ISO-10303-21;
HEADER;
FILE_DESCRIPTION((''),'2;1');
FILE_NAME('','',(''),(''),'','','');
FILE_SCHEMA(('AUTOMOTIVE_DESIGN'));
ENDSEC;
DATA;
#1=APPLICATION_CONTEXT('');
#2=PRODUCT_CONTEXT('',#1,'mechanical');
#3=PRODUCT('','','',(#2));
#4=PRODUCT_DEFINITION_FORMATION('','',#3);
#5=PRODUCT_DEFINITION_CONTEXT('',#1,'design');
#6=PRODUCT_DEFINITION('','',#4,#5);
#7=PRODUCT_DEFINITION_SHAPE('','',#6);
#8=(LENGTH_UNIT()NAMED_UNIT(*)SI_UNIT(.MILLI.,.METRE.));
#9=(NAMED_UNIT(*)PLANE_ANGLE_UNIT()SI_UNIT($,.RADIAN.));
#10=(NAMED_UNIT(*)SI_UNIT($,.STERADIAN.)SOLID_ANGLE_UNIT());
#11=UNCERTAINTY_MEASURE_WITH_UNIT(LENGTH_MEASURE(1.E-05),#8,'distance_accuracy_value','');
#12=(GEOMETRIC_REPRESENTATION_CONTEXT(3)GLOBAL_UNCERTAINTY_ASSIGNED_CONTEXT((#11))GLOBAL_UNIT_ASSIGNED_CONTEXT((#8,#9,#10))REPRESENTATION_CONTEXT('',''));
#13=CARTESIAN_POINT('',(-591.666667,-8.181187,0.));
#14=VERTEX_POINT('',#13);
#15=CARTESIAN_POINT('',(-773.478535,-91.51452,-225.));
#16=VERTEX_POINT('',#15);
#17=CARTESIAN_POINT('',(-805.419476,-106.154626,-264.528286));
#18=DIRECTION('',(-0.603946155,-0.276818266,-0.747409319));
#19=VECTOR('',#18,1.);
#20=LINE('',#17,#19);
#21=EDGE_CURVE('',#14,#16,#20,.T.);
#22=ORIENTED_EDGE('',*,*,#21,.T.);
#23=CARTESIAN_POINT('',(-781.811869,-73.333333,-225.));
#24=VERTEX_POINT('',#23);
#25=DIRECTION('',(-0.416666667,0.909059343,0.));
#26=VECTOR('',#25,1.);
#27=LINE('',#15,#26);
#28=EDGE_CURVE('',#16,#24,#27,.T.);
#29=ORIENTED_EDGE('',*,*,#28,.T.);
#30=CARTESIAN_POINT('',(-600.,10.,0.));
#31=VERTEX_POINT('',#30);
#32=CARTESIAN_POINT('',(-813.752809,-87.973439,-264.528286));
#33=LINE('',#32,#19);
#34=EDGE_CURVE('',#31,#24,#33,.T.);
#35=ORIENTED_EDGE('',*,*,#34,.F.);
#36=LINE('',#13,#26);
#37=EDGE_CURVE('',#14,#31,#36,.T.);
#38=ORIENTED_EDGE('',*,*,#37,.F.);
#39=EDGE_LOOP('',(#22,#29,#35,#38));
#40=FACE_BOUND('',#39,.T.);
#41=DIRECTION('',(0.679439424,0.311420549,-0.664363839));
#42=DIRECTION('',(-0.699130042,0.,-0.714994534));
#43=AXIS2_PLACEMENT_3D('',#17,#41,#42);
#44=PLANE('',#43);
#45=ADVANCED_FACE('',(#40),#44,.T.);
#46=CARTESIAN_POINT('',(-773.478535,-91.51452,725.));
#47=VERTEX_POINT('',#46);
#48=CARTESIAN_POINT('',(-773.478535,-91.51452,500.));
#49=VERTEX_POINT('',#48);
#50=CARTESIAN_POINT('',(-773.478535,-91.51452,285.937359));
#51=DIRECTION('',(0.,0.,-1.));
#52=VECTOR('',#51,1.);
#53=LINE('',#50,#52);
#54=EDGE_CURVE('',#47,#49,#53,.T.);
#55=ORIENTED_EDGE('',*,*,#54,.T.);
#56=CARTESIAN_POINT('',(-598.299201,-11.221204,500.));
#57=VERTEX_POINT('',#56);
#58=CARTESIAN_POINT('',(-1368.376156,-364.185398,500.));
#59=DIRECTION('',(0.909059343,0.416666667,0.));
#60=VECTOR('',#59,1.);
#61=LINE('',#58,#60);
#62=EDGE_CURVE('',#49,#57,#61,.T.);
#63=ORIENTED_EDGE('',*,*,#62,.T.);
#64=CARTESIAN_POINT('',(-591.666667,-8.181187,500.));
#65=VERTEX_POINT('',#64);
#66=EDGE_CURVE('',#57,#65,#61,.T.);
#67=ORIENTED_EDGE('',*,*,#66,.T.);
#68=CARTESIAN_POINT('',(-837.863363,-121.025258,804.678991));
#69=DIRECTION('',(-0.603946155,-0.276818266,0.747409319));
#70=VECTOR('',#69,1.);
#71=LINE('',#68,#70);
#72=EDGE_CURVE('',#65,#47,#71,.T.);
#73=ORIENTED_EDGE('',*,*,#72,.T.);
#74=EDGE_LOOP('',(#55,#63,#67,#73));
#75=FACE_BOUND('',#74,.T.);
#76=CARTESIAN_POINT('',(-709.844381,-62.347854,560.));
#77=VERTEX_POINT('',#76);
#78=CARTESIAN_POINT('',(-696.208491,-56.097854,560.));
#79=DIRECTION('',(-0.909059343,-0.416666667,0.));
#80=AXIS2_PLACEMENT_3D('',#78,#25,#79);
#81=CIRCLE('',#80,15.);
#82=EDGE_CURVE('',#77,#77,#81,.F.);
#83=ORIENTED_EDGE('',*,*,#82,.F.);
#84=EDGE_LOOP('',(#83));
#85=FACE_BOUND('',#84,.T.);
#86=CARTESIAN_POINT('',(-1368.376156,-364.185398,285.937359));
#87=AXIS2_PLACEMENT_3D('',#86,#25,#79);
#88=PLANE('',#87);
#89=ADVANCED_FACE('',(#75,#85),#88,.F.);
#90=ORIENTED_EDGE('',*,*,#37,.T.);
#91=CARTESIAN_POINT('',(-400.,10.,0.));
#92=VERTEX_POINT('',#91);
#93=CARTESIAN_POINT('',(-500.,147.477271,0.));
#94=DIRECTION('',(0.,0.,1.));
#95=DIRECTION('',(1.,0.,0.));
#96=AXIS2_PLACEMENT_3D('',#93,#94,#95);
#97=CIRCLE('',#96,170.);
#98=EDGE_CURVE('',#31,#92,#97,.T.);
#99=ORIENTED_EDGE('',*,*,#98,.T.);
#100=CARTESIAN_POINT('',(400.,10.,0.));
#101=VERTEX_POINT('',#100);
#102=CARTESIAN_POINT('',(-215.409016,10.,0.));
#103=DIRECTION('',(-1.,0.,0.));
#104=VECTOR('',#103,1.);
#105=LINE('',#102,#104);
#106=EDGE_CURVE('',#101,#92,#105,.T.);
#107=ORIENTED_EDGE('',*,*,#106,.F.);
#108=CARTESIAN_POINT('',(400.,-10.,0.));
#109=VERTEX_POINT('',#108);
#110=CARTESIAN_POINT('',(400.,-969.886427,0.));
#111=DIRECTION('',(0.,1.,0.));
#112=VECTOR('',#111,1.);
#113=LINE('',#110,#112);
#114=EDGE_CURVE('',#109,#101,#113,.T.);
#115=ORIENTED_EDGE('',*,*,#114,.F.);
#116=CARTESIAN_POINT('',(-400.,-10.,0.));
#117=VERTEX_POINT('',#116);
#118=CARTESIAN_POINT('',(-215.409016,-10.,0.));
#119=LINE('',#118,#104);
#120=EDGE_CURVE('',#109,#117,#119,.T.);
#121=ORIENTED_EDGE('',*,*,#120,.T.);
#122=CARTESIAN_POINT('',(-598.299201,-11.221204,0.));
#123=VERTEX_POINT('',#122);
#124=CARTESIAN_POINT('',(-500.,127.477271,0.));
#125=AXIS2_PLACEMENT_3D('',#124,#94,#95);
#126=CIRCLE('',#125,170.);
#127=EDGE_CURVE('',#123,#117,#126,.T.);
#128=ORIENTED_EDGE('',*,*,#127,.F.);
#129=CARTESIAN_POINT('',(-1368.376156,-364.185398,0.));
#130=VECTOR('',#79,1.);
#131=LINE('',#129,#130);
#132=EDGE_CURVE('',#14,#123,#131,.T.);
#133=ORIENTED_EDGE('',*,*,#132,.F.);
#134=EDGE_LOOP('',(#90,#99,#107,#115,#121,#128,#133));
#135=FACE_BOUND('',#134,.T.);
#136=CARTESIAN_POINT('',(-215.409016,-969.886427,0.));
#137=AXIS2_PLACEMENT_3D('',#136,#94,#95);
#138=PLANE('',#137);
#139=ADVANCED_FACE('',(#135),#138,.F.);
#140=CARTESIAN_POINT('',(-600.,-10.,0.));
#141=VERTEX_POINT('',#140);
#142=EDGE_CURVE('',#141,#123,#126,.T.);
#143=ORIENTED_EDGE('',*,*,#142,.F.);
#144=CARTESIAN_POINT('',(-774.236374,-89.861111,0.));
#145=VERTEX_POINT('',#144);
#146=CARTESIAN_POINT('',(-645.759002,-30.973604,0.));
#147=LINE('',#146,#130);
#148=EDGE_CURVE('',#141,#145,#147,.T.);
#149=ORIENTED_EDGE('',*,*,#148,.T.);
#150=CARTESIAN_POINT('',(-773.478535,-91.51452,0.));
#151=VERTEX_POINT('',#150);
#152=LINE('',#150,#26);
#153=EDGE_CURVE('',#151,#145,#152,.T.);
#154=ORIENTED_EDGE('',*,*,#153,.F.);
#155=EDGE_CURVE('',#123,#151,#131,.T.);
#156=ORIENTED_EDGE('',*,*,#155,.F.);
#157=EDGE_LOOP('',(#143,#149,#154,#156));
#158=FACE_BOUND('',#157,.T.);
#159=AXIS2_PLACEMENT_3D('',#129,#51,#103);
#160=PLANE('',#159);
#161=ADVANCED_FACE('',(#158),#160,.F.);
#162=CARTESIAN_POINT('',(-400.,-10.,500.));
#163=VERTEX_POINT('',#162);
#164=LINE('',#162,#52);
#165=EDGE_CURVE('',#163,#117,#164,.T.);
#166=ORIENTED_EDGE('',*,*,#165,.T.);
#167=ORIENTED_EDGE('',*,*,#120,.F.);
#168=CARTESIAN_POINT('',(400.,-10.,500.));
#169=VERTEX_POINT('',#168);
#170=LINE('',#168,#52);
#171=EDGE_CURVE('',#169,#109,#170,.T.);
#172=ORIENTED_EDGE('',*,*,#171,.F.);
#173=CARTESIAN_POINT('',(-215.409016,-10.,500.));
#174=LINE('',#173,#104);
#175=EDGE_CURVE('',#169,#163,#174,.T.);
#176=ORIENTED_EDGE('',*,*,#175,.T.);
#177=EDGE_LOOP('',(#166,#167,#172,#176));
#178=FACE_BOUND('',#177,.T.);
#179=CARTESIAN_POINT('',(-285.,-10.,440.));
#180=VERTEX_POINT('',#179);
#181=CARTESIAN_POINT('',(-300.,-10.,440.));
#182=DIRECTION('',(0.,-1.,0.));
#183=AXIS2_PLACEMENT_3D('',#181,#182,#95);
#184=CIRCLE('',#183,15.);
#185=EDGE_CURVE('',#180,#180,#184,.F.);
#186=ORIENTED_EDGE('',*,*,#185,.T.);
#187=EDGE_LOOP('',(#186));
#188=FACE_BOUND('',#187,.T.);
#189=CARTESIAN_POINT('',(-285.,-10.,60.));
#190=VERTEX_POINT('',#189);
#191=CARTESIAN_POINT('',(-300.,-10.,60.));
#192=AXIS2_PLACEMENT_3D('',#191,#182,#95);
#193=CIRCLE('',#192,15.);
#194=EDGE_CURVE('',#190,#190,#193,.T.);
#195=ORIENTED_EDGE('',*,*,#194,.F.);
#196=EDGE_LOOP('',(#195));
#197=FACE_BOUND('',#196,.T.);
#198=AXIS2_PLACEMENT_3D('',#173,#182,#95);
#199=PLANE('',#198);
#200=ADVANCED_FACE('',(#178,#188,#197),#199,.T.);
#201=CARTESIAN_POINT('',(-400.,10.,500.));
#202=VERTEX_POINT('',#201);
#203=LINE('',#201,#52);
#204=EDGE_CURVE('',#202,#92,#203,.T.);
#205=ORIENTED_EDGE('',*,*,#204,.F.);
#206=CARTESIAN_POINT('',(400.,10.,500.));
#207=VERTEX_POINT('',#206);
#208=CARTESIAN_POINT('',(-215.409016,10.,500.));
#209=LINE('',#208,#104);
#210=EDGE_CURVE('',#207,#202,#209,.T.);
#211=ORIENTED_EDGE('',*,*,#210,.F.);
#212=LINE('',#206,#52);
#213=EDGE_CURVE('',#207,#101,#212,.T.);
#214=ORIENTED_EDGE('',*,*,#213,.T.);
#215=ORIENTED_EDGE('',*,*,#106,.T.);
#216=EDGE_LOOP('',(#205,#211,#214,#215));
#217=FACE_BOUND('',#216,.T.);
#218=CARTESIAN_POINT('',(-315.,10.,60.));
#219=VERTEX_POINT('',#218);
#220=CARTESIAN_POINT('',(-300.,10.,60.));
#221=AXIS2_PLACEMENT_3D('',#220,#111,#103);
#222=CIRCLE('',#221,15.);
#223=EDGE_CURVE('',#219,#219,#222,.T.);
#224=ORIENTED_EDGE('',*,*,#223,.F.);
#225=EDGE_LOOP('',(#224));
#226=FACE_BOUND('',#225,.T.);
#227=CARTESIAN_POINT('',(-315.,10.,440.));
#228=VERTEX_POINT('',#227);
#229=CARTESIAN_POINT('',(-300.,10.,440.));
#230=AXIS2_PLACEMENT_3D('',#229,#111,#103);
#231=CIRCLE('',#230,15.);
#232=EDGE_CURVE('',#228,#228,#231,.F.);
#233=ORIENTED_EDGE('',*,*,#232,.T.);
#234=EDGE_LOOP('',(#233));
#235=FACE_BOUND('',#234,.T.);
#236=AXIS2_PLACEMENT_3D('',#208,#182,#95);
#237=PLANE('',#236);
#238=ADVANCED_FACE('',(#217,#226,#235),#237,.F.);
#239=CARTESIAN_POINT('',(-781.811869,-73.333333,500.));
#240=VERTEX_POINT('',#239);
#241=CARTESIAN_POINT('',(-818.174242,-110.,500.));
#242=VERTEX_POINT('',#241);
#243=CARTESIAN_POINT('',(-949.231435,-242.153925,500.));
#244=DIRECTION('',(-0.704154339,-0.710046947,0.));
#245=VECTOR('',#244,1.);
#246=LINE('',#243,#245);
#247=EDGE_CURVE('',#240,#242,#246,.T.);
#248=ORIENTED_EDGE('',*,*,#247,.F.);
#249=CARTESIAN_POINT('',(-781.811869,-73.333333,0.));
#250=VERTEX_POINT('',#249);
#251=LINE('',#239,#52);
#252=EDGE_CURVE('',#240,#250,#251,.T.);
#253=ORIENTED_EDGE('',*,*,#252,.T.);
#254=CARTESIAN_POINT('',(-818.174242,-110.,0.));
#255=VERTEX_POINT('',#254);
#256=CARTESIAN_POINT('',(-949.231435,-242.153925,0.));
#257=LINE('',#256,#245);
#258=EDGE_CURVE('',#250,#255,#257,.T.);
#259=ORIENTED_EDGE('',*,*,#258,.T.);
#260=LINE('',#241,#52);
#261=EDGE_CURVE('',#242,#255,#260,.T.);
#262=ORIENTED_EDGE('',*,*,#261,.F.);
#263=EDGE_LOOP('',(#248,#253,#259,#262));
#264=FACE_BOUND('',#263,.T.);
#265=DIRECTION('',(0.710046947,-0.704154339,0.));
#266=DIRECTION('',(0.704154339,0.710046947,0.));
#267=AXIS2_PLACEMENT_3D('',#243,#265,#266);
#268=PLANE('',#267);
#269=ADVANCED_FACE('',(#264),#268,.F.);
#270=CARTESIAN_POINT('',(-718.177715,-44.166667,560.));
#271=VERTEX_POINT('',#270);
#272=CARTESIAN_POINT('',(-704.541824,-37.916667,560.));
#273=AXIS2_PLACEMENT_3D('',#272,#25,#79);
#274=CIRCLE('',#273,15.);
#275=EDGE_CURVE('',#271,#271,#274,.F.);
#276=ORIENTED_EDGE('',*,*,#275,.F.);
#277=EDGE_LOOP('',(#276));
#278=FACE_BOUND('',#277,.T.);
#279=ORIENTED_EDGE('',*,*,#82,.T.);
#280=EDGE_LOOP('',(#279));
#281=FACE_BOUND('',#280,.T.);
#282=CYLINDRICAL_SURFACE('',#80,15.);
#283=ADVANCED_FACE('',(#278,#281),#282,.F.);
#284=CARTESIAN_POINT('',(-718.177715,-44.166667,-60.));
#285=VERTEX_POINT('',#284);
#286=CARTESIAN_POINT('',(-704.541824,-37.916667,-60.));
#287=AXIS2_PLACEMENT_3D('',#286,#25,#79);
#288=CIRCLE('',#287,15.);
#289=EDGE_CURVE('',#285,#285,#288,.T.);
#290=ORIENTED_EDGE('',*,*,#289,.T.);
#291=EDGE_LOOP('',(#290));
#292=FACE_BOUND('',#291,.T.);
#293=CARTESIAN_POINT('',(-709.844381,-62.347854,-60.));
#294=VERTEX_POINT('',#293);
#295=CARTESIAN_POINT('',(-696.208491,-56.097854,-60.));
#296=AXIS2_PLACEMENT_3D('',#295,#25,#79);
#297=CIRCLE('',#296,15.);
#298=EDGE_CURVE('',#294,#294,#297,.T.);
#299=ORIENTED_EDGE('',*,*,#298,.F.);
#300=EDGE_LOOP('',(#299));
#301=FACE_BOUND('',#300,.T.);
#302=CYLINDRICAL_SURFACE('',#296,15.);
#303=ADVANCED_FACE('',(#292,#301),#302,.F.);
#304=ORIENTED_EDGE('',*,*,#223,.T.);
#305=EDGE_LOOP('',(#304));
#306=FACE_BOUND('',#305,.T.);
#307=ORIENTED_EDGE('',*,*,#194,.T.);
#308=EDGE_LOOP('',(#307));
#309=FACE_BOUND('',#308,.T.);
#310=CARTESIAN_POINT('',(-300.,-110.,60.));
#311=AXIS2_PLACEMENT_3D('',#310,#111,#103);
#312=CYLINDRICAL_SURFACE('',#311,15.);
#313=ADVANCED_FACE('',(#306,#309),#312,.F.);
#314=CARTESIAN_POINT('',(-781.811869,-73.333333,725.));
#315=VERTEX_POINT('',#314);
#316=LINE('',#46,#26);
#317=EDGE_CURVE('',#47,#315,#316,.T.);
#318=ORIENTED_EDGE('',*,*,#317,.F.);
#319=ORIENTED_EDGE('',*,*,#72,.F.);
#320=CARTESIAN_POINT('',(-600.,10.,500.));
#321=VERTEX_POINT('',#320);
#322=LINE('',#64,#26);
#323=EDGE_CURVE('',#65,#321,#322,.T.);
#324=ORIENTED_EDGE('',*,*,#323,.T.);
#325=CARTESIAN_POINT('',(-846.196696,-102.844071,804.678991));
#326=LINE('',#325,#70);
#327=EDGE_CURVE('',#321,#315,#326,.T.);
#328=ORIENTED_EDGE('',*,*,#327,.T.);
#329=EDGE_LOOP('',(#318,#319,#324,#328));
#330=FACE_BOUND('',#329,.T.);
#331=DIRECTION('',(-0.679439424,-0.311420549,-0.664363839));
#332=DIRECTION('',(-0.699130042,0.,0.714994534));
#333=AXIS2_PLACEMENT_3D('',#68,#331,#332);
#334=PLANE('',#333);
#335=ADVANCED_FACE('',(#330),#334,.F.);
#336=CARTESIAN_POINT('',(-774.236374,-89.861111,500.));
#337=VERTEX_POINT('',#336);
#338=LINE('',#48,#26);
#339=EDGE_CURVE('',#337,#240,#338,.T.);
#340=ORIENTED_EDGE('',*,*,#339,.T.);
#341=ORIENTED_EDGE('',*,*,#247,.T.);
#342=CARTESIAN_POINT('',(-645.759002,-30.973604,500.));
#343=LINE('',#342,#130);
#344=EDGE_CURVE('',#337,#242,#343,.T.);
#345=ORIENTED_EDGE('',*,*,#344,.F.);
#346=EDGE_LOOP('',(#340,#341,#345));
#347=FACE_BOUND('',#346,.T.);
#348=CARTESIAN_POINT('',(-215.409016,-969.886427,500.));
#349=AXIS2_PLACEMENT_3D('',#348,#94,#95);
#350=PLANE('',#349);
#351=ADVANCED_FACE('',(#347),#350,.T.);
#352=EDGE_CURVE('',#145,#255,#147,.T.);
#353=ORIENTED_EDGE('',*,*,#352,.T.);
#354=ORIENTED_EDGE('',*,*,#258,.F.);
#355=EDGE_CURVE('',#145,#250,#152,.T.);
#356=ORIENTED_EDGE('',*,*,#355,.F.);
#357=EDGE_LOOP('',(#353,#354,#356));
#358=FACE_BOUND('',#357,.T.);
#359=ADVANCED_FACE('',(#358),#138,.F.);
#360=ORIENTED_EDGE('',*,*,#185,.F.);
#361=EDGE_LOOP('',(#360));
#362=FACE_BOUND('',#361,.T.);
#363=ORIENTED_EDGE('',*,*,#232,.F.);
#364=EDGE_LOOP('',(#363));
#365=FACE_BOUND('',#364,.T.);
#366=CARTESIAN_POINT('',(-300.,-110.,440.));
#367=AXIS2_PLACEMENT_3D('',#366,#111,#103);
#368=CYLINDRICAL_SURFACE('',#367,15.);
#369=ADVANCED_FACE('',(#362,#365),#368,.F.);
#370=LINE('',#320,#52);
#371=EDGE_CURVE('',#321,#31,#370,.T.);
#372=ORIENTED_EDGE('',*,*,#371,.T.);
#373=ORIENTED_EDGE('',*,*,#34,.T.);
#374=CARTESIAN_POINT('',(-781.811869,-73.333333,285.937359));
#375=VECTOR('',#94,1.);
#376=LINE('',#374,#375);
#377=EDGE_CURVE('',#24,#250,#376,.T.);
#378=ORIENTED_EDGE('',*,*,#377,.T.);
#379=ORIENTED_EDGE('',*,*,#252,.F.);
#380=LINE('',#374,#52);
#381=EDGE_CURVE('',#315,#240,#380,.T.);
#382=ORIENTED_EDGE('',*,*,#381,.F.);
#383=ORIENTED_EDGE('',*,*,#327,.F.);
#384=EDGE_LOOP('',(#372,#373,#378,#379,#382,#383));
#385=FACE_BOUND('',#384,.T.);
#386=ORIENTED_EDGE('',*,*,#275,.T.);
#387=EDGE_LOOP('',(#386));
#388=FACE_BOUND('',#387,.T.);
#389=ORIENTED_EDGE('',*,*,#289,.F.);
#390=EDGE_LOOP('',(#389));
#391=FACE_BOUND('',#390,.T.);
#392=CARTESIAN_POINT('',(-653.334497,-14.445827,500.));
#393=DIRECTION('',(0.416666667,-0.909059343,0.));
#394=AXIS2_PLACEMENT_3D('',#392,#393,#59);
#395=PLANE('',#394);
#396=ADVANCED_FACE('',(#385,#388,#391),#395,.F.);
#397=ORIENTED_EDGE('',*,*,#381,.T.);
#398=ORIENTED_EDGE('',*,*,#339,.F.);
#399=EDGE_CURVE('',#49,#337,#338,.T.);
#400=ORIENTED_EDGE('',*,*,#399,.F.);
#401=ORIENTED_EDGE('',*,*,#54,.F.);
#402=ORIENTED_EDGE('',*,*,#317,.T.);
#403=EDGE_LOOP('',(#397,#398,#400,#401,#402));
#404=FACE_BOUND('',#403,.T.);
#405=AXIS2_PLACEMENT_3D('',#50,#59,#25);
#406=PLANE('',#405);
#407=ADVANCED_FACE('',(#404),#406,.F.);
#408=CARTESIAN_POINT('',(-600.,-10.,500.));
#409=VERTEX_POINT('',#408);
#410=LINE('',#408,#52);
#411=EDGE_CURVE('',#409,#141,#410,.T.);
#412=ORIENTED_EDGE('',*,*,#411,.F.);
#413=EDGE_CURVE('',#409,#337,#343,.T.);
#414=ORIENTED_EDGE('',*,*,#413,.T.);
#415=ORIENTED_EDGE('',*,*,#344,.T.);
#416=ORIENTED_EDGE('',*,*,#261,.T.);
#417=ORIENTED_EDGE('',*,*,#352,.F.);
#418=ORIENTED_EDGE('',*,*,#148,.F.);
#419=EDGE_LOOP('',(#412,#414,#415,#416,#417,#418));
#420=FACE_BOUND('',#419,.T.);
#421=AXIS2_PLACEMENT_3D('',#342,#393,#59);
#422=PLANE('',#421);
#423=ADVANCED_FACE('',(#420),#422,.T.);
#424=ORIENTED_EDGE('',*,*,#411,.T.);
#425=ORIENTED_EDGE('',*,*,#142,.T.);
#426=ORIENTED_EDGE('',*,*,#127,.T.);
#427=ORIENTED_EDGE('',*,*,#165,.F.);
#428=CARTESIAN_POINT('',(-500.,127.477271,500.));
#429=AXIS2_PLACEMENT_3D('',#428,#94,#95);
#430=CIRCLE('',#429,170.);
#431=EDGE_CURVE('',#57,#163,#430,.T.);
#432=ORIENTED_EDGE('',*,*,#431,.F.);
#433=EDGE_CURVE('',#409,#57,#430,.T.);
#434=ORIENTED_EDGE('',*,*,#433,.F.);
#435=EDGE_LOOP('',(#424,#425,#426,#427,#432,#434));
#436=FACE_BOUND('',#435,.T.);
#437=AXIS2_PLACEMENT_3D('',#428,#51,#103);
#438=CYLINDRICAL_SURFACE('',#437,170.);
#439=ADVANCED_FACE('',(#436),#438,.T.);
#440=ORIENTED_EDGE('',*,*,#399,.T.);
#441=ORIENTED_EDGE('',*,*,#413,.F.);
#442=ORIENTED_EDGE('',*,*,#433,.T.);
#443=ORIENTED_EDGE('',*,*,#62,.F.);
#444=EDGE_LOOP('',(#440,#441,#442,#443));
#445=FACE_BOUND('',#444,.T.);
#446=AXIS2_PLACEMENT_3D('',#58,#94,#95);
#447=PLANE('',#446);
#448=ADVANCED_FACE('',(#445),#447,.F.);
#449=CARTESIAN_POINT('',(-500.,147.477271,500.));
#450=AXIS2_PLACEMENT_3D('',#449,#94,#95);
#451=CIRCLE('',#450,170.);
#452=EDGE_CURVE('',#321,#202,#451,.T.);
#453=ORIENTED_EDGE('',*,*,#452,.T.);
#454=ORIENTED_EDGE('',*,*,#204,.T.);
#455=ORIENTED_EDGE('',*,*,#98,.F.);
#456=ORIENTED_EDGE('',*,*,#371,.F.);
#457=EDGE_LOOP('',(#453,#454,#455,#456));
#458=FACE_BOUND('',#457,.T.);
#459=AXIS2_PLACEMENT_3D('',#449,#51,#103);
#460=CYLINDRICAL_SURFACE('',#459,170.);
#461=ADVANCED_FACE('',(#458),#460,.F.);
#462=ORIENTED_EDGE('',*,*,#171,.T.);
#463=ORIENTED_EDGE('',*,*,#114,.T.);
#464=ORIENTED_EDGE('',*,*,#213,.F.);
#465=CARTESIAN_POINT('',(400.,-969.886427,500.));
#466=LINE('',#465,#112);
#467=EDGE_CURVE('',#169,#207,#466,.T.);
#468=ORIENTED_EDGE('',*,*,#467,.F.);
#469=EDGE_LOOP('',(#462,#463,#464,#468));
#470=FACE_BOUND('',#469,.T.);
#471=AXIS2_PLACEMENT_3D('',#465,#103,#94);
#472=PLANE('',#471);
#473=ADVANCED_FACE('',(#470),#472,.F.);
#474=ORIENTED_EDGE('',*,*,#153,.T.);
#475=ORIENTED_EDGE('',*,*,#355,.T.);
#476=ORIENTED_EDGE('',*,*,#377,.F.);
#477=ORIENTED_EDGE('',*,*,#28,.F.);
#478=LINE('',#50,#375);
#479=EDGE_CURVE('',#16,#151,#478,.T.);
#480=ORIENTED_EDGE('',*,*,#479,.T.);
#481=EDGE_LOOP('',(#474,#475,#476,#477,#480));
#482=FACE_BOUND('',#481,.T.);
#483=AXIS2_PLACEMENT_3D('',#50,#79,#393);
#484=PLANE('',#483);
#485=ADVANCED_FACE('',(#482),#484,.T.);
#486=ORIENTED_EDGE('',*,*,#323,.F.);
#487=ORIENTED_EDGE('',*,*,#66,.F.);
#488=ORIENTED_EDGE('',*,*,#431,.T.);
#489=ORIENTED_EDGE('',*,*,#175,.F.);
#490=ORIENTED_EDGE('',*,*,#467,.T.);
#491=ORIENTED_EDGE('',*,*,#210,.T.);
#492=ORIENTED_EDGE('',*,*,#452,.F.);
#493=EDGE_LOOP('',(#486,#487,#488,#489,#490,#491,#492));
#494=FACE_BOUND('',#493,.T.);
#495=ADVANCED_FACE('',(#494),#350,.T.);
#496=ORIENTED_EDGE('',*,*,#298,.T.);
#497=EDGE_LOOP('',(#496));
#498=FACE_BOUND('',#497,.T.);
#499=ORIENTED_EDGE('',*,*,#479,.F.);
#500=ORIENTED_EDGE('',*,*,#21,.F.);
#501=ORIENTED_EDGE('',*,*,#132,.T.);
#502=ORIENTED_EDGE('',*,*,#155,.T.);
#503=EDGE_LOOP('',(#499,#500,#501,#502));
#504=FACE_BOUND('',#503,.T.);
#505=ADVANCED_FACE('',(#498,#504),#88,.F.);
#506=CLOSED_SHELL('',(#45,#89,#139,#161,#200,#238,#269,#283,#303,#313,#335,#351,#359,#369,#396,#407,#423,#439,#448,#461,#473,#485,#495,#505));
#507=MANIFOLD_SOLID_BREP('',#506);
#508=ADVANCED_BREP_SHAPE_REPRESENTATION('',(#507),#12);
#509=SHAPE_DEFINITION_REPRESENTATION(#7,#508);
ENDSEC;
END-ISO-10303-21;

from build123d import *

# Parameters (mm, degrees)
SKETCH_1_W          = 800
SKETCH_1_H          = 20
EXTRUDE_1_DEPTH     = 500
SKETCH_3_R          = 15
EXTRUDE_2_DEPTH     = 20
SKETCH_5_R          = 15
CUT_EXTRUDE_2_DEPTH = 1100.74273844


with BuildPart() as part:
    # 草图1 → 凸台-拉伸1 (new body)
    with BuildSketch(Plane.XY):
        Rectangle(SKETCH_1_W, SKETCH_1_H)
        with BuildLine():
            ThreePointArc((-600, 10), (-500, -22.522729151), (-400, 10))
            Line((-400, 10), (-400, -10))
            ThreePointArc((-400, -10), (-500, -42.522729151), (-600, -10))
            Line((-600, -10), (-600, 10))
        make_face()
        Polygon((-600, 10), (-781.811868577, -73.333333333), (-818.174242293, -110), (-600, -10), align=None)
    extrude(amount=EXTRUDE_1_DEPTH)

    # 草图3 → 凸台-拉伸2 (add)
    # profile 1 of 2: a face of its own
    with BuildSketch(Plane(origin=(-107.954413929, 235.52872461, 0), x_dir=(0.9090593428863094, 0.41666666666666713, 0), z_dir=(-0.41666666666666713, 0.9090593428863094, 0))):
        Polygon((-741.268939065, 0), (-541.268939065, 0), (-741.268939065, 225), align=None)
        with Locations(Location((-656.268939065, 60, 0), (0, 0, 180))):
            Circle(SKETCH_3_R, mode=Mode.SUBTRACT)
    # profile 2 of 2: a face of its own
    with BuildSketch(Plane(origin=(-107.954413929, 235.52872461, 0), x_dir=(0.9090593428863094, 0.41666666666666713, 0), z_dir=(-0.41666666666666713, 0.9090593428863094, 0))):
        Polygon((-741.268939065, -725), (-541.268939065, -500), (-741.268939065, -500), align=None)
        with Locations(Location((-656.268939065, -560, 0), (0, 0, 180))):
            Circle(SKETCH_3_R, mode=Mode.SUBTRACT)
    extrude(amount=-EXTRUDE_2_DEPTH)

    # 草图5 → 切除-拉伸2 (cut, through all)
    with BuildSketch(Plane(origin=(0, 10, 0), x_dir=(1, 0, 0), z_dir=(0, 1, 0))):
        with Locations(Location((-300, -440, 0), (0, 0, 180))):
            Circle(SKETCH_5_R)
        with Locations(Location((-300, -60, 0), (0, 0, 180))):
            Circle(SKETCH_5_R)
    extrude(amount=-CUT_EXTRUDE_2_DEPTH, mode=Mode.SUBTRACT)


solid = part.part
